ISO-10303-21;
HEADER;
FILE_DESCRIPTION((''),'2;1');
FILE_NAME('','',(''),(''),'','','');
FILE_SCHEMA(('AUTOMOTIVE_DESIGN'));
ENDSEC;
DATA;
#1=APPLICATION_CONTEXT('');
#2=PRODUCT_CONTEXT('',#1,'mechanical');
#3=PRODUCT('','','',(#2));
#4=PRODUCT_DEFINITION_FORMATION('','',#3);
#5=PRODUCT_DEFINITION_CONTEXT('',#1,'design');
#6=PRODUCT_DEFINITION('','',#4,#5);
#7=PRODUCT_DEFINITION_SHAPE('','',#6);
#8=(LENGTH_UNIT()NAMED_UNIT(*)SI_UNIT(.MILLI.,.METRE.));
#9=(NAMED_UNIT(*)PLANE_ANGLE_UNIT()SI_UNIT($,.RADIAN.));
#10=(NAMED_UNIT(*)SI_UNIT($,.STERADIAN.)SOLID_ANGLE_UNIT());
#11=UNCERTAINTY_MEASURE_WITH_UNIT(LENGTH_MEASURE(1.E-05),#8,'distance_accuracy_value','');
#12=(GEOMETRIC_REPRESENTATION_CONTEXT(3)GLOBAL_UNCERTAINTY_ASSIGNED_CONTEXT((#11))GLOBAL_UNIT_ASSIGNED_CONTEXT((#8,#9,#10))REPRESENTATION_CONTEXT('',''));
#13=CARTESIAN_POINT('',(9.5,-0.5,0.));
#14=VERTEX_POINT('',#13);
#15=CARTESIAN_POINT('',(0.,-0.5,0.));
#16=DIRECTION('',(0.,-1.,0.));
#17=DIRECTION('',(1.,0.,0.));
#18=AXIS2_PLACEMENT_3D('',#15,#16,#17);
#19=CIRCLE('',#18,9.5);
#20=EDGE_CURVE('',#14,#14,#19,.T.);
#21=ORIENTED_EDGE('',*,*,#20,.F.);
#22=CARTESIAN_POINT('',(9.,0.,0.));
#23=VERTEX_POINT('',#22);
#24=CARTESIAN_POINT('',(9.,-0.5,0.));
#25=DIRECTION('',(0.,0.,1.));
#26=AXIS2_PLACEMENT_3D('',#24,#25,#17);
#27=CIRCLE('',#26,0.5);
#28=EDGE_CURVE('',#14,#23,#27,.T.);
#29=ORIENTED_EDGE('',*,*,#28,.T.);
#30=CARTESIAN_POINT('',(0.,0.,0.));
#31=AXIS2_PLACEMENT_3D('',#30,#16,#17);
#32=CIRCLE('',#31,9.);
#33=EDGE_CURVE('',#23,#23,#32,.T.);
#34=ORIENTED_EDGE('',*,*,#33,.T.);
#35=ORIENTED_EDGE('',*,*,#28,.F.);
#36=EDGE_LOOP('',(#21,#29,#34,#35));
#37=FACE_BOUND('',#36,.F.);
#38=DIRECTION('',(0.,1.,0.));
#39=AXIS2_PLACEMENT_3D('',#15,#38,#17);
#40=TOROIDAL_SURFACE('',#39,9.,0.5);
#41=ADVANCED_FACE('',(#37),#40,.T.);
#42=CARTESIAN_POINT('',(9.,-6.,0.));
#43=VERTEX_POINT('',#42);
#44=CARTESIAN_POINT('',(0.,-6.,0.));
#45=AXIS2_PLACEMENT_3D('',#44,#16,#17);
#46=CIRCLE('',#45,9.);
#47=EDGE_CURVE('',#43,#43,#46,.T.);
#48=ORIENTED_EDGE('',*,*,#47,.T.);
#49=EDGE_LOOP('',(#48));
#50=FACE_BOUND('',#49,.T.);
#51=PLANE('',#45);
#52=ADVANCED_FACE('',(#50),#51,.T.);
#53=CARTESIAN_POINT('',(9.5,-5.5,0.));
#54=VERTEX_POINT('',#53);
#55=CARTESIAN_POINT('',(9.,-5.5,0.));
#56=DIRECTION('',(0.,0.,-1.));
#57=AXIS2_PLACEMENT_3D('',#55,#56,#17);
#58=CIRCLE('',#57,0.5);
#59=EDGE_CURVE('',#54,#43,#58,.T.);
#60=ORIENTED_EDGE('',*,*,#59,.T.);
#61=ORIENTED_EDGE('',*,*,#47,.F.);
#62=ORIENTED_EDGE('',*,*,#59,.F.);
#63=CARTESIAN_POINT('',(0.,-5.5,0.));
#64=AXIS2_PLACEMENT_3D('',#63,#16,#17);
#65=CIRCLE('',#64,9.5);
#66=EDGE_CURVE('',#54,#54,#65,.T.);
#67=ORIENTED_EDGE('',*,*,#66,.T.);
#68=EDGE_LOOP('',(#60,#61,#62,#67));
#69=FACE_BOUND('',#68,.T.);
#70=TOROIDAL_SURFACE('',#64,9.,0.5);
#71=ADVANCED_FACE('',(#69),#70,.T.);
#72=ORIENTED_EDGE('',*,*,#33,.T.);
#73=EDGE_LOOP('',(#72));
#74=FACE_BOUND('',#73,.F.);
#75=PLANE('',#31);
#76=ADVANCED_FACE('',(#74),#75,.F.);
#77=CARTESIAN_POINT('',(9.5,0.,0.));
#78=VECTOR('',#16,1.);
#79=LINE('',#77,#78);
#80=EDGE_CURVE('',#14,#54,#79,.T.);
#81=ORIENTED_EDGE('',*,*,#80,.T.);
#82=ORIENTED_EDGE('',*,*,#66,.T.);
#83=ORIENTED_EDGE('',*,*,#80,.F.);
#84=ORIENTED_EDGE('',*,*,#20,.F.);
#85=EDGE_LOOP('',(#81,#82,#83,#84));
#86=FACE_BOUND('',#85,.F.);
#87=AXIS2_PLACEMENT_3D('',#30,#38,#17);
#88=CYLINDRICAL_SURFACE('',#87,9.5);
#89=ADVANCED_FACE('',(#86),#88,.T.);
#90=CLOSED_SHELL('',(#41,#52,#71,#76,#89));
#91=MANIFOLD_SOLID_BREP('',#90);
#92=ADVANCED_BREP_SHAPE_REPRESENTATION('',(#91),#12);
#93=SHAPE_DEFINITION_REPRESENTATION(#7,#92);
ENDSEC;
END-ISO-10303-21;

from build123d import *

# Parameters (mm, degrees)
F0_R     = 9.5
F1_DEPTH = 6
F2_R     = 0.5


with BuildPart() as f1:
    # F0 (on Front) → F1 (new body)
    with BuildSketch(Plane.XZ):
        Circle(F0_R)
    extrude(amount=F1_DEPTH)

    # F2
    f2_edges = [f1.edges().sort_by_distance(p)[0] for p in [
        (-9.5, -6, 0),
        (9.5, -3, 0),
        (-9.5, 0, 0),
    ]]
    fillet(f2_edges, radius=F2_R)


solid = f1.part
